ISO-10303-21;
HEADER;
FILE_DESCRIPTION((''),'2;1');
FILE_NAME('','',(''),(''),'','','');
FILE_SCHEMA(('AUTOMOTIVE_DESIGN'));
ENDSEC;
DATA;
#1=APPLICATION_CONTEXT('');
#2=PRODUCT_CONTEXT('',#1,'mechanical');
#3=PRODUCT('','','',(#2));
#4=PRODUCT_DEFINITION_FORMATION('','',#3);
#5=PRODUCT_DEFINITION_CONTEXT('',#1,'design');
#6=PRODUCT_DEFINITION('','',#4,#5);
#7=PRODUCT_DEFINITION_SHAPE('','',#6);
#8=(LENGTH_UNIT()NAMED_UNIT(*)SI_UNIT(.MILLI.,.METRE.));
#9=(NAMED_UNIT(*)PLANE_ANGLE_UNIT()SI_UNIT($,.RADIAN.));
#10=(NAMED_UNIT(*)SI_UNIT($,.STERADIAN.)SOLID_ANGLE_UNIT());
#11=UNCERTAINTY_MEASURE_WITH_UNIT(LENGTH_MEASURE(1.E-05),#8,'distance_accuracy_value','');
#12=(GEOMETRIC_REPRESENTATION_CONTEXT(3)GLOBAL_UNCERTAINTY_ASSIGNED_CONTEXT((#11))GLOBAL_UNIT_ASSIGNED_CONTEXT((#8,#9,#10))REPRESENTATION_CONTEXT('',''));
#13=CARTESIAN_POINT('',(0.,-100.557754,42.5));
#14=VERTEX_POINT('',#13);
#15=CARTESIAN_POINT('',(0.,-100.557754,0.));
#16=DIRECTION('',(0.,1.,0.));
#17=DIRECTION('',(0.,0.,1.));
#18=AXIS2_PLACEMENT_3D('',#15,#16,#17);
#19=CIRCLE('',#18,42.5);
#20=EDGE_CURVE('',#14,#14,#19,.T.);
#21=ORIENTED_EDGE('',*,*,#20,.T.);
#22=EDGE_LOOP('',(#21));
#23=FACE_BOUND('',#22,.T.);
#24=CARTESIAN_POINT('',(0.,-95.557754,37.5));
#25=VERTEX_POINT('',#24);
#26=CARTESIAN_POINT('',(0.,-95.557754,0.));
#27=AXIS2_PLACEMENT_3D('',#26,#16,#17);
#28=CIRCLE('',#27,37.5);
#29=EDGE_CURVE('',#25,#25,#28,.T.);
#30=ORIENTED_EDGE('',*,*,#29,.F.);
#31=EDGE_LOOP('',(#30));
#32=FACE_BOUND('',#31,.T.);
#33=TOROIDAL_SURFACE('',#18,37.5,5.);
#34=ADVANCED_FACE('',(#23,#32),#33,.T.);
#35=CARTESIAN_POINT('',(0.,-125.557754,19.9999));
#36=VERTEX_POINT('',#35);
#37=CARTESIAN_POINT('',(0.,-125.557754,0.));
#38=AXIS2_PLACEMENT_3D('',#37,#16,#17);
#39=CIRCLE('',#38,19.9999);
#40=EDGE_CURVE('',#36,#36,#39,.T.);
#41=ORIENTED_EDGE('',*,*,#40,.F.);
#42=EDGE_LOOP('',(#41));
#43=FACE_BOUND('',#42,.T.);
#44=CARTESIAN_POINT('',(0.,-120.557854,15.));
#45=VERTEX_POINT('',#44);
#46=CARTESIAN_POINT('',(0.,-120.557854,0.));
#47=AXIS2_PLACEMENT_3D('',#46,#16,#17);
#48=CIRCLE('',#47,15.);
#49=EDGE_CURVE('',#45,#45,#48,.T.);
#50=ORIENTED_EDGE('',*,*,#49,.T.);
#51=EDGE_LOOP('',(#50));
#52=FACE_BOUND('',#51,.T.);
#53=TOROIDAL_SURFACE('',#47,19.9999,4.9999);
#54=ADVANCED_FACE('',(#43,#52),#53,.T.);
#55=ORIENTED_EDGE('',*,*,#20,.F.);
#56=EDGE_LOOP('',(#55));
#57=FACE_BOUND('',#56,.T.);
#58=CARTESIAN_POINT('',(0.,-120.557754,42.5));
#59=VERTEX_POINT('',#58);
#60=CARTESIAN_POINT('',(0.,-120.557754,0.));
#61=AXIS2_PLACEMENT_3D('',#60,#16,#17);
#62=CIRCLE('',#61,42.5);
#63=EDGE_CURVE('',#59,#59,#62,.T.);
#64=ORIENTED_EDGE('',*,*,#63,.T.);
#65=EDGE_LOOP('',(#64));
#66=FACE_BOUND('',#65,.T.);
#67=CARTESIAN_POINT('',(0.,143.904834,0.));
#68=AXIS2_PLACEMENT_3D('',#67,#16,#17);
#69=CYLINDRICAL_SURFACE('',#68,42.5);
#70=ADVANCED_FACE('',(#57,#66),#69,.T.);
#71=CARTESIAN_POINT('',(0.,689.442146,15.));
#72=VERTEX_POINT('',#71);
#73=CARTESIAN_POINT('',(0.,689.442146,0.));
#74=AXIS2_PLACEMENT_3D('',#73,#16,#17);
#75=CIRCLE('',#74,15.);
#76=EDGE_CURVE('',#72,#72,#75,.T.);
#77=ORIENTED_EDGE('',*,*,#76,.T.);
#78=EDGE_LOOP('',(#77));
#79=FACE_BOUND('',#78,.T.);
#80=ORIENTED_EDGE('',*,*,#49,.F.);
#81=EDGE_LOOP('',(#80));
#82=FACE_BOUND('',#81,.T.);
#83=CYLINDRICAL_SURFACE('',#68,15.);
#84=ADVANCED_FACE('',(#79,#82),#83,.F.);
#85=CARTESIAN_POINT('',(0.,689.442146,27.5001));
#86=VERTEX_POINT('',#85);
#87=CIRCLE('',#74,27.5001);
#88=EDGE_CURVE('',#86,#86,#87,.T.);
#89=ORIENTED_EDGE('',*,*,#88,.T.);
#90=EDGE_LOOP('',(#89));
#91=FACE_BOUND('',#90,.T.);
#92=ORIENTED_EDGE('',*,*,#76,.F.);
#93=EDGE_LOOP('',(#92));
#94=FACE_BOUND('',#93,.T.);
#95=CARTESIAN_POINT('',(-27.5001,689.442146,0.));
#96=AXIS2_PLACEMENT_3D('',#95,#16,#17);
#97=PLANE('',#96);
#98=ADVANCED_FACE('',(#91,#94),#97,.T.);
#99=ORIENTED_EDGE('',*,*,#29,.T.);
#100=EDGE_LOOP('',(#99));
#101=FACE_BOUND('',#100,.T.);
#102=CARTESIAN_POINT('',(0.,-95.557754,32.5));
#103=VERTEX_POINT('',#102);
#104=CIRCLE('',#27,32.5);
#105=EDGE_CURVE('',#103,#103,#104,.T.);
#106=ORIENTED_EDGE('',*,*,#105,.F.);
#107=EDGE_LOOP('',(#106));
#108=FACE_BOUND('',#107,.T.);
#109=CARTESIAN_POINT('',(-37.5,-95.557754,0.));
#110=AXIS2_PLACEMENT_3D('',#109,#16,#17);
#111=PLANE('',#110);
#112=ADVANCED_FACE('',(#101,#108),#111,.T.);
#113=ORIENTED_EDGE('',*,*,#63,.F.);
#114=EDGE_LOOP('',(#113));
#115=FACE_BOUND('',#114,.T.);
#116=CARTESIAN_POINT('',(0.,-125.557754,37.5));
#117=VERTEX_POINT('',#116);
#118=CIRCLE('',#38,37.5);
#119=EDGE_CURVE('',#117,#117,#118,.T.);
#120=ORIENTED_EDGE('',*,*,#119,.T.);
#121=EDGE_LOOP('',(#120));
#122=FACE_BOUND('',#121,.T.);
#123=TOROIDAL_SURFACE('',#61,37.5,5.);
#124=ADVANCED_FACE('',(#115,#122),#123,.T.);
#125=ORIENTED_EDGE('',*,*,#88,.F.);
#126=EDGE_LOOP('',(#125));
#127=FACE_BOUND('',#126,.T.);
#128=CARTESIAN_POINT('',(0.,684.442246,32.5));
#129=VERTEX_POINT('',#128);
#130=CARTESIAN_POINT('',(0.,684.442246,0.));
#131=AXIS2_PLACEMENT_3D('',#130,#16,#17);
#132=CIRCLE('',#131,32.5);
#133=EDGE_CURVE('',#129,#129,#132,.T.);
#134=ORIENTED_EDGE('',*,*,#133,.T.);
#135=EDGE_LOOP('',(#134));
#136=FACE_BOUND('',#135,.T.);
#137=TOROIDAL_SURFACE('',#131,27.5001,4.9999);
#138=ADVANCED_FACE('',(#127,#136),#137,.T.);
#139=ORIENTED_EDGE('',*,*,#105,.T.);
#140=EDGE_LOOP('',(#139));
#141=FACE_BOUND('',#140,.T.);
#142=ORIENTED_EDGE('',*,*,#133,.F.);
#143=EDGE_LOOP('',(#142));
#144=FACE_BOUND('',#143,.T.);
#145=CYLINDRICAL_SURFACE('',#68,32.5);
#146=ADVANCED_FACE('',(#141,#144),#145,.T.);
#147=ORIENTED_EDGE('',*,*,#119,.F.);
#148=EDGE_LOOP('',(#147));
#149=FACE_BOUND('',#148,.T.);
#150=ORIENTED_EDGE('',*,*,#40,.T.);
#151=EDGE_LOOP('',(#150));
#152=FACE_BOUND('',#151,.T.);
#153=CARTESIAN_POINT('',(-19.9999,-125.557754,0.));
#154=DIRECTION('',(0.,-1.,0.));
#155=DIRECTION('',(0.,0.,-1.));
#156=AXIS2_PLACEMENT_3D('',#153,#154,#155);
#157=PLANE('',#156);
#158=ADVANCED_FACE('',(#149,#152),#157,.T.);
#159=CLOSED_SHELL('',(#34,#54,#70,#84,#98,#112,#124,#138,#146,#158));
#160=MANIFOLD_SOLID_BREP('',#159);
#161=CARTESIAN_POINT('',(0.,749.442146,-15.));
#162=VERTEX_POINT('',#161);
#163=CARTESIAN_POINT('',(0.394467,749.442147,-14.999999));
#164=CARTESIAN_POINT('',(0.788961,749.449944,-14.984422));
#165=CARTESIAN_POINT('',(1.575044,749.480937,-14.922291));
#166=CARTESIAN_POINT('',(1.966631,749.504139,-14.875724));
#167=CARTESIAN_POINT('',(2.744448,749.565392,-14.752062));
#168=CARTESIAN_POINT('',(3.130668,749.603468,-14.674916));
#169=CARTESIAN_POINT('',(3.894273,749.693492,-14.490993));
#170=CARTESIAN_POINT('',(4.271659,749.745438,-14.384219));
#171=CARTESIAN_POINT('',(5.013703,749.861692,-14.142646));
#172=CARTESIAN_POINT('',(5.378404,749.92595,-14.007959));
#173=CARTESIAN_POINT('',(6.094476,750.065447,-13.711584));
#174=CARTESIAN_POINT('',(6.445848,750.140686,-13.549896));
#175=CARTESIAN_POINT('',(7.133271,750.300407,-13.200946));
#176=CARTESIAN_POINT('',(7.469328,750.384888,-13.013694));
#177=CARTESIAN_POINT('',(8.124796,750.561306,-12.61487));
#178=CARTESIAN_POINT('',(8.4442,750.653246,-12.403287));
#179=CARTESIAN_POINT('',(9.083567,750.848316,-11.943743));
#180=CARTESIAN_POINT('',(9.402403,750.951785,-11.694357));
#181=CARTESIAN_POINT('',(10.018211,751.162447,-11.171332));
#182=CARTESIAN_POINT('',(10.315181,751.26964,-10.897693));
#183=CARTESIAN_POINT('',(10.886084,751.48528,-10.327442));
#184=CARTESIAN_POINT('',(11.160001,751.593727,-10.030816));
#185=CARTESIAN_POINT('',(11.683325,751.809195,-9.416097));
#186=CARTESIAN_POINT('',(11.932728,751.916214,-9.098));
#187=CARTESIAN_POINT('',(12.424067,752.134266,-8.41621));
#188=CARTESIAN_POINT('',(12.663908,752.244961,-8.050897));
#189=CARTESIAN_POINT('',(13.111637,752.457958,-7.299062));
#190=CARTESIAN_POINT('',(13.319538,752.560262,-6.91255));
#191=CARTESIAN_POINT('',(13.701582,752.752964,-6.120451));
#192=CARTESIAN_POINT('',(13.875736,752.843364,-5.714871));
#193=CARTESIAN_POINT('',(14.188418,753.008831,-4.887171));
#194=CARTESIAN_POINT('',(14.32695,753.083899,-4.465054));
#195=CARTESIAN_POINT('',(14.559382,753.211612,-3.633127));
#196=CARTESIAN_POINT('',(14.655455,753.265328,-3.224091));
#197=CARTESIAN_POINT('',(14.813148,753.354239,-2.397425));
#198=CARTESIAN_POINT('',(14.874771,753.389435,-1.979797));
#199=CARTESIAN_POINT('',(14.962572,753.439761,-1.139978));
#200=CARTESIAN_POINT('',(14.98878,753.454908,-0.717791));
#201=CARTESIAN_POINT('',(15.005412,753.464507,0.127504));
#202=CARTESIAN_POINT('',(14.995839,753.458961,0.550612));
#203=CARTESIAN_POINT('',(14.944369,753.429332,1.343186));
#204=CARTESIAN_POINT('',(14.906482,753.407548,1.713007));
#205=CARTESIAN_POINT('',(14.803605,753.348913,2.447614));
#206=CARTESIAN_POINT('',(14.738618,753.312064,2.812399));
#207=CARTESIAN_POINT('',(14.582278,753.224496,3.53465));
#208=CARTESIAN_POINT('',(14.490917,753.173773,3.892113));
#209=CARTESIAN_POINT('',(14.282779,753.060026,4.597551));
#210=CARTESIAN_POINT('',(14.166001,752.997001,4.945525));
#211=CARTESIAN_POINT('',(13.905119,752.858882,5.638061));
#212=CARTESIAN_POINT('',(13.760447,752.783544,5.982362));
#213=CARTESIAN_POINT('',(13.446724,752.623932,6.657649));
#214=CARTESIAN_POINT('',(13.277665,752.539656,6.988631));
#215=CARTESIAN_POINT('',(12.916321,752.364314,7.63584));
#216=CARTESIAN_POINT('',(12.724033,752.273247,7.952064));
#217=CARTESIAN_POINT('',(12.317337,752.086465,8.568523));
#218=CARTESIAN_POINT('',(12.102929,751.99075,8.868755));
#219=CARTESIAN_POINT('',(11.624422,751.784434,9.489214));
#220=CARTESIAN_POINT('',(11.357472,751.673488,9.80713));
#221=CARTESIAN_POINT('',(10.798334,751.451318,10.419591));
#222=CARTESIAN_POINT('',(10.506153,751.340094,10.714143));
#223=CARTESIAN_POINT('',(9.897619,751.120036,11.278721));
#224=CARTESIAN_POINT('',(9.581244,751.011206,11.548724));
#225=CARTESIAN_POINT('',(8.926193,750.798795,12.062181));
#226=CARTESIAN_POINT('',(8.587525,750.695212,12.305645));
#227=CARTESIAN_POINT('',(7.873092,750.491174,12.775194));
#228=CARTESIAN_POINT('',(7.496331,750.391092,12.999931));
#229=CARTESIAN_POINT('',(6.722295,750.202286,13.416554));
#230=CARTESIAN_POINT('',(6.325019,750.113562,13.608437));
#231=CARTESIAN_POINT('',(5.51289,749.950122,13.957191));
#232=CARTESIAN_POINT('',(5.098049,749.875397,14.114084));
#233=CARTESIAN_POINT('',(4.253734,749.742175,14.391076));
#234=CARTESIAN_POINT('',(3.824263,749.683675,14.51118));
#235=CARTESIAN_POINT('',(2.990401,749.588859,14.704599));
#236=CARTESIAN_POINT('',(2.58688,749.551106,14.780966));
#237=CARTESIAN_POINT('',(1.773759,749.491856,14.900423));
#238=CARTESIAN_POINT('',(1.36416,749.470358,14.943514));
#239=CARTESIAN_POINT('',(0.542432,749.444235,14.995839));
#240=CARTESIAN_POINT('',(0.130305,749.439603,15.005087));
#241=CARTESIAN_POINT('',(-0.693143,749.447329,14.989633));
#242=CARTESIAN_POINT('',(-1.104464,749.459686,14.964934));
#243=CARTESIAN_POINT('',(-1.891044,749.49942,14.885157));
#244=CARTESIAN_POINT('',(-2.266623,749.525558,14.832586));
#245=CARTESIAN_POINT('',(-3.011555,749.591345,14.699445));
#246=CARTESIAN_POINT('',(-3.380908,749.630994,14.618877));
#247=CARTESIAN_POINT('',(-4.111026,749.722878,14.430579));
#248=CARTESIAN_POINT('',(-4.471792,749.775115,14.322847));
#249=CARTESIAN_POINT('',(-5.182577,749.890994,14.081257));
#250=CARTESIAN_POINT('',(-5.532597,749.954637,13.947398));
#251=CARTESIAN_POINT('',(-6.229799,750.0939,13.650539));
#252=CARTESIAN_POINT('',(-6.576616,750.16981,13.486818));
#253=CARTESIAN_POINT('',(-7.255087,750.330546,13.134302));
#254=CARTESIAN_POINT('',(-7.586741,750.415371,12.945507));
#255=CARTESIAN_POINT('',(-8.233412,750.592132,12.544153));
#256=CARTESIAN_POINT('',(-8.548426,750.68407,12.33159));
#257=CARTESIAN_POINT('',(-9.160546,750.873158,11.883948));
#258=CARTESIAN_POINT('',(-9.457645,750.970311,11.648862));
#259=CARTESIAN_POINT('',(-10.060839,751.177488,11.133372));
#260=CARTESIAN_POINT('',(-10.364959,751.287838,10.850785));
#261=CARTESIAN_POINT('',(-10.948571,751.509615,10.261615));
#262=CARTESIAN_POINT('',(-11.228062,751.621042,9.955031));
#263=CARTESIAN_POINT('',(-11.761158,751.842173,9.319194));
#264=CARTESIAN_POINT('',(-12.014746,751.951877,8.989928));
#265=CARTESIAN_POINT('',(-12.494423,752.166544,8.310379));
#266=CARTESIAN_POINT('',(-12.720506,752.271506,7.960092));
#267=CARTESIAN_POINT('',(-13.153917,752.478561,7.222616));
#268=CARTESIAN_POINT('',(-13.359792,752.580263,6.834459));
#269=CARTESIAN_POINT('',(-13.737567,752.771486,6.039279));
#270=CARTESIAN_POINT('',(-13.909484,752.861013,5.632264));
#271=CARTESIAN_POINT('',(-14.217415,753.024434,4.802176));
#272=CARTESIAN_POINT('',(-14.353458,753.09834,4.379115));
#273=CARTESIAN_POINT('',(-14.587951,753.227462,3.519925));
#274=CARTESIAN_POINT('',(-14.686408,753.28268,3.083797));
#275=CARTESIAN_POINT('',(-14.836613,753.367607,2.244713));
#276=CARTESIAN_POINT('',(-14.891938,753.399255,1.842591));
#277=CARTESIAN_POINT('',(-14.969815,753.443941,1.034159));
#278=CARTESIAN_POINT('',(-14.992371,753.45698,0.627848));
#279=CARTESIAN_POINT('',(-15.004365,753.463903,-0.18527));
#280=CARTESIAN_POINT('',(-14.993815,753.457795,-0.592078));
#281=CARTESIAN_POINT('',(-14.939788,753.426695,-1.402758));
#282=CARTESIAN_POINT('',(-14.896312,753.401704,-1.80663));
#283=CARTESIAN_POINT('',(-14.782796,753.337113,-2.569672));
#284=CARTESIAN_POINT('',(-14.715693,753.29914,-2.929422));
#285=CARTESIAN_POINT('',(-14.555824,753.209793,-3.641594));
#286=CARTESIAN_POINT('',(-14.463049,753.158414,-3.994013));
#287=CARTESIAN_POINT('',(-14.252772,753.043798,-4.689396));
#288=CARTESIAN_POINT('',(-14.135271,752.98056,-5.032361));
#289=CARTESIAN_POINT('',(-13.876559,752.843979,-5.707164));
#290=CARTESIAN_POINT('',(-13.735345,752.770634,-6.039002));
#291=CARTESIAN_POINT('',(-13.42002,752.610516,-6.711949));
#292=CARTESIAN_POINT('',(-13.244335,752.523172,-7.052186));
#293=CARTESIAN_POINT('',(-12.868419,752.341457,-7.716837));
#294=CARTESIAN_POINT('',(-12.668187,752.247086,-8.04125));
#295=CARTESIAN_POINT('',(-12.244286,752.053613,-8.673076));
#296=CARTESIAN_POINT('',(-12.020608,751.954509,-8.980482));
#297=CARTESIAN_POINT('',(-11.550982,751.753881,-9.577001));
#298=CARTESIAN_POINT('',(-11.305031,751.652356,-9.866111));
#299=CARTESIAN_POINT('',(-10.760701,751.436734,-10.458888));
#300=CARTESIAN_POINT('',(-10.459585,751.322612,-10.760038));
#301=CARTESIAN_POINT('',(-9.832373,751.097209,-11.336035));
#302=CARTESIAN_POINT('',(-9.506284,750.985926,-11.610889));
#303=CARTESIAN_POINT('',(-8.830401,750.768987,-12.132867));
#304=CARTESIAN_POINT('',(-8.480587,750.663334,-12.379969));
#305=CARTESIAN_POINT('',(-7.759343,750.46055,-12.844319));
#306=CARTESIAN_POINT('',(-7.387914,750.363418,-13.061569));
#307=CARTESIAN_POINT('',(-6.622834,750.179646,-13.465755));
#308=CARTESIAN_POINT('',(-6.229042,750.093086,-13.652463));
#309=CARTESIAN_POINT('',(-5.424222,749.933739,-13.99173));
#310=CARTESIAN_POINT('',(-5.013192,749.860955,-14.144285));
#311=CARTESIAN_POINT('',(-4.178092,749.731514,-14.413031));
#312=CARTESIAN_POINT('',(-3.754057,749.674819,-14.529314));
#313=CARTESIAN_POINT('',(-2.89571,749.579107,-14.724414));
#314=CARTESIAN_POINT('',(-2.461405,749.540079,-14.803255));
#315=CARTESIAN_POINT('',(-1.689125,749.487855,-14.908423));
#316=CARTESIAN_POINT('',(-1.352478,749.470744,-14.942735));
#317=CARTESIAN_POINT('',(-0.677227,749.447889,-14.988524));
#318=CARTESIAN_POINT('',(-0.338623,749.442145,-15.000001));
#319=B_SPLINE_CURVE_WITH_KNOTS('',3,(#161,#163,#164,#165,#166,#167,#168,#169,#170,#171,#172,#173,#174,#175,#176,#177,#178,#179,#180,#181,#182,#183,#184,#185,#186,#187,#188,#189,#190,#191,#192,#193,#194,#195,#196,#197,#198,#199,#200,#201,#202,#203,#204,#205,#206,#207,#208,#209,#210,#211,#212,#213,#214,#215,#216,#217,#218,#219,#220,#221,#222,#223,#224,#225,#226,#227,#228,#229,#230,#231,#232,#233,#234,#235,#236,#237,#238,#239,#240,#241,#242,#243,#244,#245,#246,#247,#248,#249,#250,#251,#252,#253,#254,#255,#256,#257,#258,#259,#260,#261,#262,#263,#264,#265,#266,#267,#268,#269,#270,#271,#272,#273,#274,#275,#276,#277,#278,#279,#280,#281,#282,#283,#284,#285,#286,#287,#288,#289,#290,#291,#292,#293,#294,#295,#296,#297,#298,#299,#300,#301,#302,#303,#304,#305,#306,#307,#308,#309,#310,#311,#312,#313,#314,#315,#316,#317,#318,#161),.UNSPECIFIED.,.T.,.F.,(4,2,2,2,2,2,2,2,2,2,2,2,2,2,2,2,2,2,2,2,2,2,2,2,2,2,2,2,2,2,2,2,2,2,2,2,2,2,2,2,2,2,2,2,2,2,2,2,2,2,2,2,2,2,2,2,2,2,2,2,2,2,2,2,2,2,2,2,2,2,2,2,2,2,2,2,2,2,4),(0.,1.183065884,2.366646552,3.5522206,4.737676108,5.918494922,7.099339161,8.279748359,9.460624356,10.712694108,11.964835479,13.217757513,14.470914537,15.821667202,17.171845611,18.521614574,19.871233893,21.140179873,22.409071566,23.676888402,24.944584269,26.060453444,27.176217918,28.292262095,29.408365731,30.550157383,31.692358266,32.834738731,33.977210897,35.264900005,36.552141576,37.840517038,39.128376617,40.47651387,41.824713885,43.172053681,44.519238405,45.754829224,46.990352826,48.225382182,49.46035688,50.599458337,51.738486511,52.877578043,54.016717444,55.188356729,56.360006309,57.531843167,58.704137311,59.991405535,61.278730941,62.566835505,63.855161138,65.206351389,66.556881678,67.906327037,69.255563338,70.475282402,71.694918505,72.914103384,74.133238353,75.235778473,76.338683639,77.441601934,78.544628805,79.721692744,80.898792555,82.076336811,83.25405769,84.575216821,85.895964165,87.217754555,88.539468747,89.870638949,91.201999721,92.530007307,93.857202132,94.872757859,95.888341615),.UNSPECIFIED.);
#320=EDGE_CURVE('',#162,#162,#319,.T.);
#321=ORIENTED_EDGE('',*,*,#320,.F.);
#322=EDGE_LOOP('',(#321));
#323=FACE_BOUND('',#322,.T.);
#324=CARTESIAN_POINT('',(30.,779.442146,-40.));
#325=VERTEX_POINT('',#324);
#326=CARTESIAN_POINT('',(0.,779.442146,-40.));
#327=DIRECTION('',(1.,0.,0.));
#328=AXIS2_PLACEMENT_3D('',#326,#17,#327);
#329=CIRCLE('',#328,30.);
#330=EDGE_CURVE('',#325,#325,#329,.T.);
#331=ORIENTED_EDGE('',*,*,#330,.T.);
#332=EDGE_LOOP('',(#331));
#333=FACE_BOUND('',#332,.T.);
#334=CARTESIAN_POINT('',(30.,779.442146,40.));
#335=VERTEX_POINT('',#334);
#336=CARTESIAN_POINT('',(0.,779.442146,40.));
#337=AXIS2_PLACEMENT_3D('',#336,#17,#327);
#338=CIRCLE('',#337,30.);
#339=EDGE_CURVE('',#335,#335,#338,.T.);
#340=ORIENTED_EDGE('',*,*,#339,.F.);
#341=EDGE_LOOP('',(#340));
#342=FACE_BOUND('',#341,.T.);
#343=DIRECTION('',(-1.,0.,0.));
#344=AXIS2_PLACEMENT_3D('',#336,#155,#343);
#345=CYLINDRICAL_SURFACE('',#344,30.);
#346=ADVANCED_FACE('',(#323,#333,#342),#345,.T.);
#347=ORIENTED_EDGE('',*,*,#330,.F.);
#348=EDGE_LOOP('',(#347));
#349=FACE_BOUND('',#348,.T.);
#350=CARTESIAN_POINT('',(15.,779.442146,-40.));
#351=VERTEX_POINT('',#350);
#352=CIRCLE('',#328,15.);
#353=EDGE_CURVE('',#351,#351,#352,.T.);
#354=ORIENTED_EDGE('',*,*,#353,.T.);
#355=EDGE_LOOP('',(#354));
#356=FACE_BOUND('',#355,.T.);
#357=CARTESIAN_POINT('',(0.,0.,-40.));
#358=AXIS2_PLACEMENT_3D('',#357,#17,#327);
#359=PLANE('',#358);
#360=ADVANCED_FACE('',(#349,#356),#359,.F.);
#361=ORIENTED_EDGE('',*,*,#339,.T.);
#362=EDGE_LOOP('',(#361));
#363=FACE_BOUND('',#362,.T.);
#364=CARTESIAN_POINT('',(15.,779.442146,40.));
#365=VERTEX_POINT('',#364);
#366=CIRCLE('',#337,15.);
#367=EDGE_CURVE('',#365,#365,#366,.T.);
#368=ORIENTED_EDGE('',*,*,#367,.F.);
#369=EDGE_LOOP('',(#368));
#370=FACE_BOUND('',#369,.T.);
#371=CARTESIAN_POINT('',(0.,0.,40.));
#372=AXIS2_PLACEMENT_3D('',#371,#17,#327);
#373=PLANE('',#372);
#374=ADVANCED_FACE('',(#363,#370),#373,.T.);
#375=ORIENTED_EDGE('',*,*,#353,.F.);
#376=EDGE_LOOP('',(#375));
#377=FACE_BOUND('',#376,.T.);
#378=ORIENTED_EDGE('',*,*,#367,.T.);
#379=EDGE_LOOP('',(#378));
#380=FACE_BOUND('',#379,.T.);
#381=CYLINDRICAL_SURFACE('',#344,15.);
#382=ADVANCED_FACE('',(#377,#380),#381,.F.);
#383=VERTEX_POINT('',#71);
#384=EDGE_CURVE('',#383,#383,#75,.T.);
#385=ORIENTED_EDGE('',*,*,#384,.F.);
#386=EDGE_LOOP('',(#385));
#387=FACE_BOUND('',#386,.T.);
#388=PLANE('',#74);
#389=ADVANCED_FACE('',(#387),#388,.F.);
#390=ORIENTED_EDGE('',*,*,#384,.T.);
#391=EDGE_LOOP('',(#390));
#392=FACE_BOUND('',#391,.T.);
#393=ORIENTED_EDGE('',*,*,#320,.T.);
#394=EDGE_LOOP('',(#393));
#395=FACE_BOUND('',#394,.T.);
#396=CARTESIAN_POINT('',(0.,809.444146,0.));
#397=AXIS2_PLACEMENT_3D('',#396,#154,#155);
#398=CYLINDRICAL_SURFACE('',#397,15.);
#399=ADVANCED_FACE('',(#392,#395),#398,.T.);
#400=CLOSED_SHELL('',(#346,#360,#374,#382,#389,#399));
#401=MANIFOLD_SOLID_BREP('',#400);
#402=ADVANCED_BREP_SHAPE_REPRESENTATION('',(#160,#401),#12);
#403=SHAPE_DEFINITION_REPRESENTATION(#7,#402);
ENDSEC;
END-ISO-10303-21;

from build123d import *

# Parameters (mm, degrees)
SKETCH3_R                = 30
SKETCH3_R_2              = 15
BOSS_EXTRUDE2_DEPTH      = 40
BOSS_EXTRUDE3_REACH      = 819.213
BOSS_EXTRUDE3_END_RADIUS = 30
SKETCH4_R                = 15


with BuildPart() as part:
    # Sketch1 → Revolve1 (revolve)
    with BuildSketch(Plane.XY, mode=Mode.PRIVATE) as revolve1_sk:
        with BuildLine():
            Line((-19.9999, -125.557753903), (-37.5, -125.557753903))
            ThreePointArc((-37.5, -125.557753903), (-41.035533906, -124.093287809), (-42.5, -120.557753903))
            Line((-42.5, -120.557753903), (-42.5, -100.557753903))
            ThreePointArc((-42.5, -100.557753903), (-41.035533906, -97.022219997), (-37.5, -95.557753903))
            Line((-37.5, -95.557753903), (-32.5, -95.557753903))
            Line((-32.5, -95.557753903), (-32.5, 684.442246097))
            ThreePointArc((-32.5, 684.442246097), (-31.035563195, 687.977709292), (-27.5001, 689.442146097))
            Line((-27.5001, 689.442146097), (-15, 689.442146097))
            Line((-15, 689.442146097), (-15, -120.557853903))
            ThreePointArc((-15, -120.557853903), (-16.464436805, -124.093317098), (-19.9999, -125.557753903))
        make_face()
    revolve(revolve1_sk.sketch.rotate(Axis((0, 143.904834125, 0), (0, -1, 0)), 270), axis=Axis((0, 143.904834125, 0), (0, -1, 0)))


with BuildPart() as body_2:
    # Sketch3 → Boss-Extrude2 (new, symmetric)
    with BuildSketch(Plane.XY):
        with Locations((0, 779.442146097)):
            Circle(SKETCH3_R)
        with Locations((0, 779.442146097)):
            Circle(SKETCH3_R_2, mode=Mode.SUBTRACT)
    extrude(amount=BOSS_EXTRUDE2_DEPTH, both=True)

    # Boss-Extrude3: up to this cylinder (the profile starts outside it)
    boss_extrude3_end = Plane(origin=(0, 779.442146097, 0), z_dir=(0, 0, -1)) * Cylinder(BOSS_EXTRUDE3_END_RADIUS, 1699.426, mode=Mode.PRIVATE)
    # Sketch4 → Boss-Extrude3 (add, up to the surface)
    with BuildSketch(Plane(origin=(0, 689.442146097, 0), x_dir=(1, 0, 0), z_dir=(0, 1, 0)), mode=Mode.PRIVATE) as boss_extrude3_sk1:
        with Locations(Location((0, 0, 0), (0, 0, 90))):
            Circle(SKETCH4_R)
    boss_extrude3_tool1 = extrude(boss_extrude3_sk1.sketch, amount=BOSS_EXTRUDE3_REACH, mode=Mode.PRIVATE) - boss_extrude3_end
    add(boss_extrude3_tool1.solids().sort_by_distance((0, 689.442146, 0))[0])


solid = Compound([part.part, body_2.part])
